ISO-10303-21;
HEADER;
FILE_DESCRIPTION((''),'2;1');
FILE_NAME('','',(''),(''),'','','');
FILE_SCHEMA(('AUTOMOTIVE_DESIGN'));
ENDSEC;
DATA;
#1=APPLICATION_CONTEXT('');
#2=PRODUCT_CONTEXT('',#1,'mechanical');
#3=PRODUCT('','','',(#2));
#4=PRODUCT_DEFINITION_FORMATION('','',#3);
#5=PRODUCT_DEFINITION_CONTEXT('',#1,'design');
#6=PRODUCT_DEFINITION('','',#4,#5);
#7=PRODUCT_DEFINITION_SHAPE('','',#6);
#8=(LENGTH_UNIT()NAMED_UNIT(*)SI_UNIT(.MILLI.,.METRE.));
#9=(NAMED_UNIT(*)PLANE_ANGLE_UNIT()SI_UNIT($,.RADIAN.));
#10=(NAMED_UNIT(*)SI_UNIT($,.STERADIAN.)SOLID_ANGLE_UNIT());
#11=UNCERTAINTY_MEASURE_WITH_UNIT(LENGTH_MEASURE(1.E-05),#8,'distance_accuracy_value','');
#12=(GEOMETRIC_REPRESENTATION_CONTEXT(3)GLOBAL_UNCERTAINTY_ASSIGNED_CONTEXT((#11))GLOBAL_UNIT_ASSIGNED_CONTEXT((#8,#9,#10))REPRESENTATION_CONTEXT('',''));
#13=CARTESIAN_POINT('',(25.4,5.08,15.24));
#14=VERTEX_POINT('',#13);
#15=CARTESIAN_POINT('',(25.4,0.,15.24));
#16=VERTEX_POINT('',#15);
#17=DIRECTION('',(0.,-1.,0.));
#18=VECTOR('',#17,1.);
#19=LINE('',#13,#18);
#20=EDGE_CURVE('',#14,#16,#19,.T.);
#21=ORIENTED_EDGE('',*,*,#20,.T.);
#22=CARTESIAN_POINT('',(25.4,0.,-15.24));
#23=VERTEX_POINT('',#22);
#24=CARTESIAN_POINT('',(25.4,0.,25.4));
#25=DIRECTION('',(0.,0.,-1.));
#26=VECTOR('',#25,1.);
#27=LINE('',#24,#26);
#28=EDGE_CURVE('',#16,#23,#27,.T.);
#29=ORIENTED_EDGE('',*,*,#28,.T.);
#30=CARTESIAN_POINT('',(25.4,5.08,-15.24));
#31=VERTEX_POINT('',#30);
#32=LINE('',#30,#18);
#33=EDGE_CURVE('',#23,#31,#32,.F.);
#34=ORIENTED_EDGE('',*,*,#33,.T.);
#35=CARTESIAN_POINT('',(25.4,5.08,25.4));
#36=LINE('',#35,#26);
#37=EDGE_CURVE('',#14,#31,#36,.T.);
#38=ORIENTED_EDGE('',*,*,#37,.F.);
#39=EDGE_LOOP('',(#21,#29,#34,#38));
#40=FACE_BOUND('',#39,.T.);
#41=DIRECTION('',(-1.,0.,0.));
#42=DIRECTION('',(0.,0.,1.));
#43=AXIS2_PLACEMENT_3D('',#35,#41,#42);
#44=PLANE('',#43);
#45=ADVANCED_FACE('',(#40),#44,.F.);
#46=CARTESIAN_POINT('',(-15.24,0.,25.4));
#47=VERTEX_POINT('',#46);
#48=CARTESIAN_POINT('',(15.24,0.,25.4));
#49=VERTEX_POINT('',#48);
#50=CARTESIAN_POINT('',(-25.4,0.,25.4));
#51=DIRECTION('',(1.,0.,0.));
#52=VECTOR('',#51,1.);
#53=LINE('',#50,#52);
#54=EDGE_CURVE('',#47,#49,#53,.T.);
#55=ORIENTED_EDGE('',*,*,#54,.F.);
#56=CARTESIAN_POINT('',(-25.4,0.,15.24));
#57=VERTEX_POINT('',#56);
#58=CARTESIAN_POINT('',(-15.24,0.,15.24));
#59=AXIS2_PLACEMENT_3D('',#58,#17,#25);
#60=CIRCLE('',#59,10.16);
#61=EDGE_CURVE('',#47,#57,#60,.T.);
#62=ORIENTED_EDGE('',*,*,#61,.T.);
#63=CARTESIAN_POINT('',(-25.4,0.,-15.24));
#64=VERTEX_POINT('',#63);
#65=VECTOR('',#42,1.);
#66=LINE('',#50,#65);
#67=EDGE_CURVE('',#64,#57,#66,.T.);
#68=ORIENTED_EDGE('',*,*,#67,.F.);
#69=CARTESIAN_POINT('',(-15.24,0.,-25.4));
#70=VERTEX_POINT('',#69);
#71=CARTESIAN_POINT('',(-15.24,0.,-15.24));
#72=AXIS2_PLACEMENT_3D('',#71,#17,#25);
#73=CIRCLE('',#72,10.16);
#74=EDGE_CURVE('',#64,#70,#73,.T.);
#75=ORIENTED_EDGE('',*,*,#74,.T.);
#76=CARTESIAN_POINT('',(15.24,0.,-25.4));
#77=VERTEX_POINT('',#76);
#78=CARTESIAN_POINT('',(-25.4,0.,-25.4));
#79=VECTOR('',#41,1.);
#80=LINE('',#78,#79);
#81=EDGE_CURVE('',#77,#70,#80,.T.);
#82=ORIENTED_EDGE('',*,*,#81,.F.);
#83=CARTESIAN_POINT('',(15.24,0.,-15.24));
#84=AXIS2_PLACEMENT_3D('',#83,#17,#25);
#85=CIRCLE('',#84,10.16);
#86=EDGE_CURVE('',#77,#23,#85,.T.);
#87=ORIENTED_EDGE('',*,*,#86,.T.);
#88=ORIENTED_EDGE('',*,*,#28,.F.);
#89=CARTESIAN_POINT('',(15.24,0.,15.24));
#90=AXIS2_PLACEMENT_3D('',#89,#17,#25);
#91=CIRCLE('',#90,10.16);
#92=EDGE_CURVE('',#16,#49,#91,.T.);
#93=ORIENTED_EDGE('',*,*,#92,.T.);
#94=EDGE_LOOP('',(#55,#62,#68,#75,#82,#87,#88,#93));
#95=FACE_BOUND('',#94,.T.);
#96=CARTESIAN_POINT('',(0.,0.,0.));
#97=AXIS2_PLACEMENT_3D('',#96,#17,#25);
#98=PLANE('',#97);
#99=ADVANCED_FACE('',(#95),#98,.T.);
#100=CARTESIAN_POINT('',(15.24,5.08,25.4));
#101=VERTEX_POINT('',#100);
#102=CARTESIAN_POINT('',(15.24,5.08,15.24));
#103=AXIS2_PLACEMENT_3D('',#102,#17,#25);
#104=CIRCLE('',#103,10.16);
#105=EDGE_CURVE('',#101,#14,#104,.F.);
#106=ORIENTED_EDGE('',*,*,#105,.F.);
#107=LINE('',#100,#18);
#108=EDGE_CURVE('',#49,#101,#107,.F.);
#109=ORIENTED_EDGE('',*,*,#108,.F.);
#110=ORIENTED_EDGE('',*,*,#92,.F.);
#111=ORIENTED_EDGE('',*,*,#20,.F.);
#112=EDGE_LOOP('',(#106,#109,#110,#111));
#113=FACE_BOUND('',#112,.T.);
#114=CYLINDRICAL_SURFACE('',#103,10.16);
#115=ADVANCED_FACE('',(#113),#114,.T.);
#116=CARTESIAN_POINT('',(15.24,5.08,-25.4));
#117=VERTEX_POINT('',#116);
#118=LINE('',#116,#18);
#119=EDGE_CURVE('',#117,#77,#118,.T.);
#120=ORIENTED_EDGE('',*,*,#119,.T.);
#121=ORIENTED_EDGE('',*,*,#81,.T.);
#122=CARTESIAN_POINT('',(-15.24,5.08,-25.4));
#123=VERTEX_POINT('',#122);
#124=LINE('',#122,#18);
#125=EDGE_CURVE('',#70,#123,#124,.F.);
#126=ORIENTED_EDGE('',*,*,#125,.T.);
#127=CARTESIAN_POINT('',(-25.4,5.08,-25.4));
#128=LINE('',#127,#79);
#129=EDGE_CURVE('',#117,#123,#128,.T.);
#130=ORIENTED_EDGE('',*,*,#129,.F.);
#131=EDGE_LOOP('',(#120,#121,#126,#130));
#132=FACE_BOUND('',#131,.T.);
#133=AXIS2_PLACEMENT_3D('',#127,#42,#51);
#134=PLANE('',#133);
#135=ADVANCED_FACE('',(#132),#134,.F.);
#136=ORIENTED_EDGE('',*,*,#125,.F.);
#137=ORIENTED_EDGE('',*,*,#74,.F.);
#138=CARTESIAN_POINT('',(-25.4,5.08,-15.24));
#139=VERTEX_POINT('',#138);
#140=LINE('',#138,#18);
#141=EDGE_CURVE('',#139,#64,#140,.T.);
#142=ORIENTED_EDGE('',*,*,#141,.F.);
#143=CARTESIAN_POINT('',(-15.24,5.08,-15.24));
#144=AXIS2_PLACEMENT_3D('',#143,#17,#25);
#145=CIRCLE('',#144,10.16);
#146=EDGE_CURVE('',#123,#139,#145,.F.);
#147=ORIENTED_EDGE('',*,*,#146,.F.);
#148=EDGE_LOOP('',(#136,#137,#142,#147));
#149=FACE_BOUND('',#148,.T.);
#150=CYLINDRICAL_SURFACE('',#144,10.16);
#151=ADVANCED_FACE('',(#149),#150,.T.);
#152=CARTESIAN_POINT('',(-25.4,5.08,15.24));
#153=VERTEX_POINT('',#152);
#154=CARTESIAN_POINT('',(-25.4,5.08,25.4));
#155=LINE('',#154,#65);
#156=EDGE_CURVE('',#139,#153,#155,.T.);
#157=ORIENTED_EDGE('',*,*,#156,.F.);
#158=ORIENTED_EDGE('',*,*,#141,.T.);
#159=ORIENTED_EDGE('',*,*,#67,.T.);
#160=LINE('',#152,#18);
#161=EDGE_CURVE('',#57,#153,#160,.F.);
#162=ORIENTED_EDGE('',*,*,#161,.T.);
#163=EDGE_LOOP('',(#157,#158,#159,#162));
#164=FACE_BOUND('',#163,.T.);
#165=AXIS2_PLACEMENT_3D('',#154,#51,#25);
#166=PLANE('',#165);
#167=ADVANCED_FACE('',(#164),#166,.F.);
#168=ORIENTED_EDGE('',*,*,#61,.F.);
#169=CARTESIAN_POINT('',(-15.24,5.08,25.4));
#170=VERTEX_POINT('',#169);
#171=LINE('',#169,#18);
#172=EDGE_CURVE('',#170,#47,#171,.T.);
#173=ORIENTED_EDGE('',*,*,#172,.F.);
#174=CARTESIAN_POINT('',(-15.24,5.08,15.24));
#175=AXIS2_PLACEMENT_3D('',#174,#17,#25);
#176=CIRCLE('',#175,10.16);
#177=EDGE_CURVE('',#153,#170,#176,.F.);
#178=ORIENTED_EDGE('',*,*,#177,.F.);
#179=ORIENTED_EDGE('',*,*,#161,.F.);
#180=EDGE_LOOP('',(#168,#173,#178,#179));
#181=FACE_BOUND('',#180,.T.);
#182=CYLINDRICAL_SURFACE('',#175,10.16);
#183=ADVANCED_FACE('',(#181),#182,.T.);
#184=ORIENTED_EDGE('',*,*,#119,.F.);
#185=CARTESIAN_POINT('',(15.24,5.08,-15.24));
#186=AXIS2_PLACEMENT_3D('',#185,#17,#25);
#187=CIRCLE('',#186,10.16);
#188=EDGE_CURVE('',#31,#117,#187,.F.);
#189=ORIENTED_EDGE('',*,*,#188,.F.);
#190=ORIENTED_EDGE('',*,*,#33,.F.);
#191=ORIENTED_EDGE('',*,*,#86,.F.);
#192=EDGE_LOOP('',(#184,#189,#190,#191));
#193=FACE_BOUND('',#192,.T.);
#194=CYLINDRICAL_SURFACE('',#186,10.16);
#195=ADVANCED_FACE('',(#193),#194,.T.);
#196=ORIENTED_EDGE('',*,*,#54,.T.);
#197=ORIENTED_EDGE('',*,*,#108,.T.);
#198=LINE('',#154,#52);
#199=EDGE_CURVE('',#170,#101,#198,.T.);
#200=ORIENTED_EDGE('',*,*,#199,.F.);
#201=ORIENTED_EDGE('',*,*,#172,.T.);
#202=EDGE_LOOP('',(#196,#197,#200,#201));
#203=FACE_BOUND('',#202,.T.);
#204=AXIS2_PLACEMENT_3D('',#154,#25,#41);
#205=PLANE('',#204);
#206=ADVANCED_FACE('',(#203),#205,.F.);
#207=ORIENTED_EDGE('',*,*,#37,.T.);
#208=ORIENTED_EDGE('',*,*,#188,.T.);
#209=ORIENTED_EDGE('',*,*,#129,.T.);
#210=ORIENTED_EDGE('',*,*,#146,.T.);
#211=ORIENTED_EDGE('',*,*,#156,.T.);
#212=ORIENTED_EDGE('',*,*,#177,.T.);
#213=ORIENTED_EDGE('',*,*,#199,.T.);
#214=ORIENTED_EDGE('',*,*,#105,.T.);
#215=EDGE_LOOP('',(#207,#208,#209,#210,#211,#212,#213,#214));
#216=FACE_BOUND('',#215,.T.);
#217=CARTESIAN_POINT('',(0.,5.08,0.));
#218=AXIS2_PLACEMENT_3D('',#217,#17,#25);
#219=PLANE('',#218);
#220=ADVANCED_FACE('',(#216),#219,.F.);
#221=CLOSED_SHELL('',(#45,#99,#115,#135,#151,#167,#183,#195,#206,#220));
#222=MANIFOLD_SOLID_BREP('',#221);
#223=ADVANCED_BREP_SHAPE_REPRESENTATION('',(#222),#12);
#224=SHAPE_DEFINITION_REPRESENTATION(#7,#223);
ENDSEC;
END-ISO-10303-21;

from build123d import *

# Parameters (mm, degrees)
SKETCH1_W           = 50.8
SKETCH1_H           = 50.8
BOSS_EXTRUDE1_DEPTH = 5.08
FILLET1_R           = 10.16


with BuildPart() as part:
    # Sketch1 → Boss-Extrude1 (new body)
    with BuildSketch(Plane(origin=(0, 0, 0), x_dir=(1, 0, 0), z_dir=(0, 1, 0))):
        Rectangle(SKETCH1_W, SKETCH1_H)
    extrude(amount=BOSS_EXTRUDE1_DEPTH)

    # Fillet1
    fillet1_edges = [part.edges().sort_by_distance(p)[0] for p in [
        (25.4, 2.54, 25.4),
        (-25.4, 2.54, 25.4),
        (-25.4, 2.54, -25.4),
        (25.4, 2.54, -25.4),
    ]]
    fillet(fillet1_edges, radius=FILLET1_R)


solid = part.part
